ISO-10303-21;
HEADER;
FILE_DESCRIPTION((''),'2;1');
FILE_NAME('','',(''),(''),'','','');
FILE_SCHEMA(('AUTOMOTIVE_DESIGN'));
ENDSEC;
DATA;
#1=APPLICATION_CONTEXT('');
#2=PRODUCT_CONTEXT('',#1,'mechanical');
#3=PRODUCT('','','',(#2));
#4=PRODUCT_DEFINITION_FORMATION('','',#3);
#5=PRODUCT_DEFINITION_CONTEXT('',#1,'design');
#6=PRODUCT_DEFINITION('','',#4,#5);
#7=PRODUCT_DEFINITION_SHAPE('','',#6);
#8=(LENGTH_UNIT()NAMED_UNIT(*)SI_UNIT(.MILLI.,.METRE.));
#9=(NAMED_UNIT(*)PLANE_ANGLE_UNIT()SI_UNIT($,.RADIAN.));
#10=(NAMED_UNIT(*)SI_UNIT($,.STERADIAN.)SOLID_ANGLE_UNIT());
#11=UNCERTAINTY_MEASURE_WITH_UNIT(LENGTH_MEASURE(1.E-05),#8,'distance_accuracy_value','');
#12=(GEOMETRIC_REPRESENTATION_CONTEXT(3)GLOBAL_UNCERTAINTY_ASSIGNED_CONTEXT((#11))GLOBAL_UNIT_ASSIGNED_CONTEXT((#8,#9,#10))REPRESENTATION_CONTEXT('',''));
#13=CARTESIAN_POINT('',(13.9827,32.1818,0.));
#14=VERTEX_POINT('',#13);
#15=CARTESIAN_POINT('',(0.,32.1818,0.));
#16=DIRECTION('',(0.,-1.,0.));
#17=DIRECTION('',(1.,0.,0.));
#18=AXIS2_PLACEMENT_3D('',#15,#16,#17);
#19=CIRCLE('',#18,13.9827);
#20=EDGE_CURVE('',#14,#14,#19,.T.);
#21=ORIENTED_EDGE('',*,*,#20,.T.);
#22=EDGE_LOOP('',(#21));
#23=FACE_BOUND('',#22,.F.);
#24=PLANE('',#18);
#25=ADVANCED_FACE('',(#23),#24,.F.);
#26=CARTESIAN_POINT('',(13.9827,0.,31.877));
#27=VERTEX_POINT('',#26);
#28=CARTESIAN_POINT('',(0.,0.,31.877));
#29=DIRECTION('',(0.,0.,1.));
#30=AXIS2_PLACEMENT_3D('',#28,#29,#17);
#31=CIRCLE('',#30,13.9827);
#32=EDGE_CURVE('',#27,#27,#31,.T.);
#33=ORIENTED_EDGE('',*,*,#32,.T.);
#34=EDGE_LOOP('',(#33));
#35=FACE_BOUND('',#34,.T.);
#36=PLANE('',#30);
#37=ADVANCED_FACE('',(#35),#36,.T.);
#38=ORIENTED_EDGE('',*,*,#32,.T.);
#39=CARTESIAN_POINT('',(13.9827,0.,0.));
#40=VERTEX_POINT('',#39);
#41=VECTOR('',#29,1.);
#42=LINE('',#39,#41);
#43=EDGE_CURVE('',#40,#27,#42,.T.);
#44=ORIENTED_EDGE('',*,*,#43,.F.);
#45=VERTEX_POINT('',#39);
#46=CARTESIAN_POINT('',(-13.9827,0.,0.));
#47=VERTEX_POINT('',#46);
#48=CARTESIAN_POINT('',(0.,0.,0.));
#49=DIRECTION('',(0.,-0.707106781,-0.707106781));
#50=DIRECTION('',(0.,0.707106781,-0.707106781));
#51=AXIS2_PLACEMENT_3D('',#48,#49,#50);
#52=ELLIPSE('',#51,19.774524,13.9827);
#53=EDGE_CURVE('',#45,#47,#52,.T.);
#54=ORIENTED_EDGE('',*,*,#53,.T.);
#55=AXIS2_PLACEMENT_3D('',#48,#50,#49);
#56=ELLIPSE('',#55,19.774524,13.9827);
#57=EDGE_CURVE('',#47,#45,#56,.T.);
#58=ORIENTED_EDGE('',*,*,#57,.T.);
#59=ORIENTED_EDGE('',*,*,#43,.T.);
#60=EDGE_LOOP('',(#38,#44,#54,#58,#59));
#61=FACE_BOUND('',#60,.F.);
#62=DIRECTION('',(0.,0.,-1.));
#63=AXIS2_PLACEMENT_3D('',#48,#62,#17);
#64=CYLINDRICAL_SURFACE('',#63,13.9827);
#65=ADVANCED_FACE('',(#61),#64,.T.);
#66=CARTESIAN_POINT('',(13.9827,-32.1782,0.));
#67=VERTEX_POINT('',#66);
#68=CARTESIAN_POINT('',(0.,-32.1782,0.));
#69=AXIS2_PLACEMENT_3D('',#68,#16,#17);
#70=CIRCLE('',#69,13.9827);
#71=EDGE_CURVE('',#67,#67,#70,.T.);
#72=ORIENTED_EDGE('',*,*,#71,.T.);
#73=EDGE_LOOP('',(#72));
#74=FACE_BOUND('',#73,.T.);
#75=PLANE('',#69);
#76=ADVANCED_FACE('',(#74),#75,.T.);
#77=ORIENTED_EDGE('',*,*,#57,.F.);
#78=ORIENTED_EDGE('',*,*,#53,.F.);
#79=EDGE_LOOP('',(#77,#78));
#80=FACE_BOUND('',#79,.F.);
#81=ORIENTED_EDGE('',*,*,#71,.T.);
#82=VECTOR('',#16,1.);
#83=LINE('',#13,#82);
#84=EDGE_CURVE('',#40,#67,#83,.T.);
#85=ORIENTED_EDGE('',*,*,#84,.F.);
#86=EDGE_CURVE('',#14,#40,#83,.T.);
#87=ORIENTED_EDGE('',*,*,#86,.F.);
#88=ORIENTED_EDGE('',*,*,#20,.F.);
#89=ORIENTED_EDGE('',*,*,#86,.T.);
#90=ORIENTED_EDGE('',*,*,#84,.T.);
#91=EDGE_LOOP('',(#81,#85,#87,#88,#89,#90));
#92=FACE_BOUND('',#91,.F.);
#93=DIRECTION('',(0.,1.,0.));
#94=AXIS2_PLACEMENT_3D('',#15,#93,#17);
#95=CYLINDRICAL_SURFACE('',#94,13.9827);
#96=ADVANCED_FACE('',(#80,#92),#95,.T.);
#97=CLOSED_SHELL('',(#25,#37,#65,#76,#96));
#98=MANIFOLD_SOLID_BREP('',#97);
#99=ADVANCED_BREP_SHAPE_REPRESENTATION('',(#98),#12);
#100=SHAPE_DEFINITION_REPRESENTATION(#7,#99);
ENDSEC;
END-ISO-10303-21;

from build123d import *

# Parameters (mm, degrees)
CYLINDER007_R     = 13.9827
CYLINDER007_DEPTH = 64.36
CYLINDER006_R     = 13.9827
CYLINDER006_DEPTH = 31.877


with BuildPart() as cylinder007:
    # Cylinder007 → Cylinder007 (new body)
    with BuildSketch(Plane.XZ.offset(-32.1818)):
        Circle(CYLINDER007_R)
    extrude(amount=CYLINDER007_DEPTH)


with BuildPart() as t:
    # Cylinder006 → Cylinder006 (new body)
    with BuildSketch(Plane.XY):
        Circle(CYLINDER006_R)
    extrude(amount=CYLINDER006_DEPTH)

    # Fusion002: union Cylinder007
    add(cylinder007.part)


solid = t.part
